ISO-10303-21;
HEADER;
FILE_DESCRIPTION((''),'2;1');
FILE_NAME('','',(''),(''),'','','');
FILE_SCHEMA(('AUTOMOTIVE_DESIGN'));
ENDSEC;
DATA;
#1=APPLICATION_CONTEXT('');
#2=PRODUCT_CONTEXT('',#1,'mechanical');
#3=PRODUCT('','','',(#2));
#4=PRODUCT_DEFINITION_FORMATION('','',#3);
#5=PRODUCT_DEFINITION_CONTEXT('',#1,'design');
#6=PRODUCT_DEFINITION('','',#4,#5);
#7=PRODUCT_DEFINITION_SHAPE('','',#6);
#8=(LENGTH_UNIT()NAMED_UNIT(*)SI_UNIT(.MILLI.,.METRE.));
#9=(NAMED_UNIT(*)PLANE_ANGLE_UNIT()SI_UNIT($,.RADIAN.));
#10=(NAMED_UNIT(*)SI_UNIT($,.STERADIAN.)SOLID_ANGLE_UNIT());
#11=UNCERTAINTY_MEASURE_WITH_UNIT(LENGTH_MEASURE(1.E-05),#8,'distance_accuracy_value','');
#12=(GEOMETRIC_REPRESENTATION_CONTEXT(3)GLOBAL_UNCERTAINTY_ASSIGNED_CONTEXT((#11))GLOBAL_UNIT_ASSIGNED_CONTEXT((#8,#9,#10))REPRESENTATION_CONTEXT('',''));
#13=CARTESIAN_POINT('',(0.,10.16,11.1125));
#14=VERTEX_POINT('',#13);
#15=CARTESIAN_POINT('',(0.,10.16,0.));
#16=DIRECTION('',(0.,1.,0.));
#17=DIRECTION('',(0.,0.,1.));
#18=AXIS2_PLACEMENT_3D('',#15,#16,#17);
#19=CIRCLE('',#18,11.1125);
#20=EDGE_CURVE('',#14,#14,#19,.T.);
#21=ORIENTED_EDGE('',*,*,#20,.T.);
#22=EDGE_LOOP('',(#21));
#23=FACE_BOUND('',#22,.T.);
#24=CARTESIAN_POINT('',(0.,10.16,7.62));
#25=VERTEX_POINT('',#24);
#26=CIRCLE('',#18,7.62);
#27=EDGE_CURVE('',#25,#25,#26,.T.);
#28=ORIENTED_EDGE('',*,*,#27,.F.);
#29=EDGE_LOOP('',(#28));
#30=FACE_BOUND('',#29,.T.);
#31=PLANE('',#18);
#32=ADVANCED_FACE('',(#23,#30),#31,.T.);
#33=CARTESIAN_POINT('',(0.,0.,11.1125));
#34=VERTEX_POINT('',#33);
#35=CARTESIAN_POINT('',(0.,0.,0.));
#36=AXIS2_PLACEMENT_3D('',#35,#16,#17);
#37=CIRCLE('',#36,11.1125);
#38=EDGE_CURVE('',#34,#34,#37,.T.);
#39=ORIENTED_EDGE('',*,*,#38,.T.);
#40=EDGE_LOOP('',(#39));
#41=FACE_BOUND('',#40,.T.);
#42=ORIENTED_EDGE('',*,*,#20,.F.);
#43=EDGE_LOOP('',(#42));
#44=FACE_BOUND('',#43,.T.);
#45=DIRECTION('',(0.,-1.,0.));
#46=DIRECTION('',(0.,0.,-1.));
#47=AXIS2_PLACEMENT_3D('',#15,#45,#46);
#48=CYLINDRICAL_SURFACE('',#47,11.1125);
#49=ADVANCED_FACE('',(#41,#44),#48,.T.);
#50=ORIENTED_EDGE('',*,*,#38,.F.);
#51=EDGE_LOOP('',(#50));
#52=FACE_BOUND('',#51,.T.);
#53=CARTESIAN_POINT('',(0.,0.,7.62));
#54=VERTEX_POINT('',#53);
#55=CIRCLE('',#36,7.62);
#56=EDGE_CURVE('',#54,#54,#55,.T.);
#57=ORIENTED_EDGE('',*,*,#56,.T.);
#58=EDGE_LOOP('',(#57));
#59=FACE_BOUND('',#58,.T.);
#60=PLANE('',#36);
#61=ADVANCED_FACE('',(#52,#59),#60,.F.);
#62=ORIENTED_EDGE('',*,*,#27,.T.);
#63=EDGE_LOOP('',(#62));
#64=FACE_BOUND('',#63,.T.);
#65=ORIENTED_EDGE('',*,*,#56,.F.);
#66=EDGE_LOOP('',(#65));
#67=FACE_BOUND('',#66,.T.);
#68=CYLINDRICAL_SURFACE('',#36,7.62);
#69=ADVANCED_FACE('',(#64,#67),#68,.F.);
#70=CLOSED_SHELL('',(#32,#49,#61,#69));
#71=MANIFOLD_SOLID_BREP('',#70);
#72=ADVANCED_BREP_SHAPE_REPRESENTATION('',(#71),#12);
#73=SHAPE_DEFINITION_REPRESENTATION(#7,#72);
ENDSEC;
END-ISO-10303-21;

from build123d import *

# Parameters (mm, degrees)
SKETCH1_R           = 11.1125
BOSS_EXTRUDE1_DEPTH = 10.16
SKETCH4_R           = 7.62
CUT_EXTRUDE1_DEPTH  = 19.713655776


with BuildPart() as part:
    # Sketch1 → Boss-Extrude1 (new body)
    with BuildSketch(Plane(origin=(0, 0, 0), x_dir=(1, 0, 0), z_dir=(0, 1, 0))):
        with Locations(Location((0, 0, 0), (0, 0, 270))):
            Circle(SKETCH1_R)
    extrude(amount=BOSS_EXTRUDE1_DEPTH)

    # Sketch4 → Cut-Extrude1 (cut, through all)
    with BuildSketch(Plane(origin=(0, 10.16, 0), x_dir=(1, 0, 0), z_dir=(0, 1, 0))):
        with Locations(Location((0, 0, 0), (0, 0, 270))):
            Circle(SKETCH4_R)
    extrude(amount=-CUT_EXTRUDE1_DEPTH, mode=Mode.SUBTRACT)


solid = part.part
